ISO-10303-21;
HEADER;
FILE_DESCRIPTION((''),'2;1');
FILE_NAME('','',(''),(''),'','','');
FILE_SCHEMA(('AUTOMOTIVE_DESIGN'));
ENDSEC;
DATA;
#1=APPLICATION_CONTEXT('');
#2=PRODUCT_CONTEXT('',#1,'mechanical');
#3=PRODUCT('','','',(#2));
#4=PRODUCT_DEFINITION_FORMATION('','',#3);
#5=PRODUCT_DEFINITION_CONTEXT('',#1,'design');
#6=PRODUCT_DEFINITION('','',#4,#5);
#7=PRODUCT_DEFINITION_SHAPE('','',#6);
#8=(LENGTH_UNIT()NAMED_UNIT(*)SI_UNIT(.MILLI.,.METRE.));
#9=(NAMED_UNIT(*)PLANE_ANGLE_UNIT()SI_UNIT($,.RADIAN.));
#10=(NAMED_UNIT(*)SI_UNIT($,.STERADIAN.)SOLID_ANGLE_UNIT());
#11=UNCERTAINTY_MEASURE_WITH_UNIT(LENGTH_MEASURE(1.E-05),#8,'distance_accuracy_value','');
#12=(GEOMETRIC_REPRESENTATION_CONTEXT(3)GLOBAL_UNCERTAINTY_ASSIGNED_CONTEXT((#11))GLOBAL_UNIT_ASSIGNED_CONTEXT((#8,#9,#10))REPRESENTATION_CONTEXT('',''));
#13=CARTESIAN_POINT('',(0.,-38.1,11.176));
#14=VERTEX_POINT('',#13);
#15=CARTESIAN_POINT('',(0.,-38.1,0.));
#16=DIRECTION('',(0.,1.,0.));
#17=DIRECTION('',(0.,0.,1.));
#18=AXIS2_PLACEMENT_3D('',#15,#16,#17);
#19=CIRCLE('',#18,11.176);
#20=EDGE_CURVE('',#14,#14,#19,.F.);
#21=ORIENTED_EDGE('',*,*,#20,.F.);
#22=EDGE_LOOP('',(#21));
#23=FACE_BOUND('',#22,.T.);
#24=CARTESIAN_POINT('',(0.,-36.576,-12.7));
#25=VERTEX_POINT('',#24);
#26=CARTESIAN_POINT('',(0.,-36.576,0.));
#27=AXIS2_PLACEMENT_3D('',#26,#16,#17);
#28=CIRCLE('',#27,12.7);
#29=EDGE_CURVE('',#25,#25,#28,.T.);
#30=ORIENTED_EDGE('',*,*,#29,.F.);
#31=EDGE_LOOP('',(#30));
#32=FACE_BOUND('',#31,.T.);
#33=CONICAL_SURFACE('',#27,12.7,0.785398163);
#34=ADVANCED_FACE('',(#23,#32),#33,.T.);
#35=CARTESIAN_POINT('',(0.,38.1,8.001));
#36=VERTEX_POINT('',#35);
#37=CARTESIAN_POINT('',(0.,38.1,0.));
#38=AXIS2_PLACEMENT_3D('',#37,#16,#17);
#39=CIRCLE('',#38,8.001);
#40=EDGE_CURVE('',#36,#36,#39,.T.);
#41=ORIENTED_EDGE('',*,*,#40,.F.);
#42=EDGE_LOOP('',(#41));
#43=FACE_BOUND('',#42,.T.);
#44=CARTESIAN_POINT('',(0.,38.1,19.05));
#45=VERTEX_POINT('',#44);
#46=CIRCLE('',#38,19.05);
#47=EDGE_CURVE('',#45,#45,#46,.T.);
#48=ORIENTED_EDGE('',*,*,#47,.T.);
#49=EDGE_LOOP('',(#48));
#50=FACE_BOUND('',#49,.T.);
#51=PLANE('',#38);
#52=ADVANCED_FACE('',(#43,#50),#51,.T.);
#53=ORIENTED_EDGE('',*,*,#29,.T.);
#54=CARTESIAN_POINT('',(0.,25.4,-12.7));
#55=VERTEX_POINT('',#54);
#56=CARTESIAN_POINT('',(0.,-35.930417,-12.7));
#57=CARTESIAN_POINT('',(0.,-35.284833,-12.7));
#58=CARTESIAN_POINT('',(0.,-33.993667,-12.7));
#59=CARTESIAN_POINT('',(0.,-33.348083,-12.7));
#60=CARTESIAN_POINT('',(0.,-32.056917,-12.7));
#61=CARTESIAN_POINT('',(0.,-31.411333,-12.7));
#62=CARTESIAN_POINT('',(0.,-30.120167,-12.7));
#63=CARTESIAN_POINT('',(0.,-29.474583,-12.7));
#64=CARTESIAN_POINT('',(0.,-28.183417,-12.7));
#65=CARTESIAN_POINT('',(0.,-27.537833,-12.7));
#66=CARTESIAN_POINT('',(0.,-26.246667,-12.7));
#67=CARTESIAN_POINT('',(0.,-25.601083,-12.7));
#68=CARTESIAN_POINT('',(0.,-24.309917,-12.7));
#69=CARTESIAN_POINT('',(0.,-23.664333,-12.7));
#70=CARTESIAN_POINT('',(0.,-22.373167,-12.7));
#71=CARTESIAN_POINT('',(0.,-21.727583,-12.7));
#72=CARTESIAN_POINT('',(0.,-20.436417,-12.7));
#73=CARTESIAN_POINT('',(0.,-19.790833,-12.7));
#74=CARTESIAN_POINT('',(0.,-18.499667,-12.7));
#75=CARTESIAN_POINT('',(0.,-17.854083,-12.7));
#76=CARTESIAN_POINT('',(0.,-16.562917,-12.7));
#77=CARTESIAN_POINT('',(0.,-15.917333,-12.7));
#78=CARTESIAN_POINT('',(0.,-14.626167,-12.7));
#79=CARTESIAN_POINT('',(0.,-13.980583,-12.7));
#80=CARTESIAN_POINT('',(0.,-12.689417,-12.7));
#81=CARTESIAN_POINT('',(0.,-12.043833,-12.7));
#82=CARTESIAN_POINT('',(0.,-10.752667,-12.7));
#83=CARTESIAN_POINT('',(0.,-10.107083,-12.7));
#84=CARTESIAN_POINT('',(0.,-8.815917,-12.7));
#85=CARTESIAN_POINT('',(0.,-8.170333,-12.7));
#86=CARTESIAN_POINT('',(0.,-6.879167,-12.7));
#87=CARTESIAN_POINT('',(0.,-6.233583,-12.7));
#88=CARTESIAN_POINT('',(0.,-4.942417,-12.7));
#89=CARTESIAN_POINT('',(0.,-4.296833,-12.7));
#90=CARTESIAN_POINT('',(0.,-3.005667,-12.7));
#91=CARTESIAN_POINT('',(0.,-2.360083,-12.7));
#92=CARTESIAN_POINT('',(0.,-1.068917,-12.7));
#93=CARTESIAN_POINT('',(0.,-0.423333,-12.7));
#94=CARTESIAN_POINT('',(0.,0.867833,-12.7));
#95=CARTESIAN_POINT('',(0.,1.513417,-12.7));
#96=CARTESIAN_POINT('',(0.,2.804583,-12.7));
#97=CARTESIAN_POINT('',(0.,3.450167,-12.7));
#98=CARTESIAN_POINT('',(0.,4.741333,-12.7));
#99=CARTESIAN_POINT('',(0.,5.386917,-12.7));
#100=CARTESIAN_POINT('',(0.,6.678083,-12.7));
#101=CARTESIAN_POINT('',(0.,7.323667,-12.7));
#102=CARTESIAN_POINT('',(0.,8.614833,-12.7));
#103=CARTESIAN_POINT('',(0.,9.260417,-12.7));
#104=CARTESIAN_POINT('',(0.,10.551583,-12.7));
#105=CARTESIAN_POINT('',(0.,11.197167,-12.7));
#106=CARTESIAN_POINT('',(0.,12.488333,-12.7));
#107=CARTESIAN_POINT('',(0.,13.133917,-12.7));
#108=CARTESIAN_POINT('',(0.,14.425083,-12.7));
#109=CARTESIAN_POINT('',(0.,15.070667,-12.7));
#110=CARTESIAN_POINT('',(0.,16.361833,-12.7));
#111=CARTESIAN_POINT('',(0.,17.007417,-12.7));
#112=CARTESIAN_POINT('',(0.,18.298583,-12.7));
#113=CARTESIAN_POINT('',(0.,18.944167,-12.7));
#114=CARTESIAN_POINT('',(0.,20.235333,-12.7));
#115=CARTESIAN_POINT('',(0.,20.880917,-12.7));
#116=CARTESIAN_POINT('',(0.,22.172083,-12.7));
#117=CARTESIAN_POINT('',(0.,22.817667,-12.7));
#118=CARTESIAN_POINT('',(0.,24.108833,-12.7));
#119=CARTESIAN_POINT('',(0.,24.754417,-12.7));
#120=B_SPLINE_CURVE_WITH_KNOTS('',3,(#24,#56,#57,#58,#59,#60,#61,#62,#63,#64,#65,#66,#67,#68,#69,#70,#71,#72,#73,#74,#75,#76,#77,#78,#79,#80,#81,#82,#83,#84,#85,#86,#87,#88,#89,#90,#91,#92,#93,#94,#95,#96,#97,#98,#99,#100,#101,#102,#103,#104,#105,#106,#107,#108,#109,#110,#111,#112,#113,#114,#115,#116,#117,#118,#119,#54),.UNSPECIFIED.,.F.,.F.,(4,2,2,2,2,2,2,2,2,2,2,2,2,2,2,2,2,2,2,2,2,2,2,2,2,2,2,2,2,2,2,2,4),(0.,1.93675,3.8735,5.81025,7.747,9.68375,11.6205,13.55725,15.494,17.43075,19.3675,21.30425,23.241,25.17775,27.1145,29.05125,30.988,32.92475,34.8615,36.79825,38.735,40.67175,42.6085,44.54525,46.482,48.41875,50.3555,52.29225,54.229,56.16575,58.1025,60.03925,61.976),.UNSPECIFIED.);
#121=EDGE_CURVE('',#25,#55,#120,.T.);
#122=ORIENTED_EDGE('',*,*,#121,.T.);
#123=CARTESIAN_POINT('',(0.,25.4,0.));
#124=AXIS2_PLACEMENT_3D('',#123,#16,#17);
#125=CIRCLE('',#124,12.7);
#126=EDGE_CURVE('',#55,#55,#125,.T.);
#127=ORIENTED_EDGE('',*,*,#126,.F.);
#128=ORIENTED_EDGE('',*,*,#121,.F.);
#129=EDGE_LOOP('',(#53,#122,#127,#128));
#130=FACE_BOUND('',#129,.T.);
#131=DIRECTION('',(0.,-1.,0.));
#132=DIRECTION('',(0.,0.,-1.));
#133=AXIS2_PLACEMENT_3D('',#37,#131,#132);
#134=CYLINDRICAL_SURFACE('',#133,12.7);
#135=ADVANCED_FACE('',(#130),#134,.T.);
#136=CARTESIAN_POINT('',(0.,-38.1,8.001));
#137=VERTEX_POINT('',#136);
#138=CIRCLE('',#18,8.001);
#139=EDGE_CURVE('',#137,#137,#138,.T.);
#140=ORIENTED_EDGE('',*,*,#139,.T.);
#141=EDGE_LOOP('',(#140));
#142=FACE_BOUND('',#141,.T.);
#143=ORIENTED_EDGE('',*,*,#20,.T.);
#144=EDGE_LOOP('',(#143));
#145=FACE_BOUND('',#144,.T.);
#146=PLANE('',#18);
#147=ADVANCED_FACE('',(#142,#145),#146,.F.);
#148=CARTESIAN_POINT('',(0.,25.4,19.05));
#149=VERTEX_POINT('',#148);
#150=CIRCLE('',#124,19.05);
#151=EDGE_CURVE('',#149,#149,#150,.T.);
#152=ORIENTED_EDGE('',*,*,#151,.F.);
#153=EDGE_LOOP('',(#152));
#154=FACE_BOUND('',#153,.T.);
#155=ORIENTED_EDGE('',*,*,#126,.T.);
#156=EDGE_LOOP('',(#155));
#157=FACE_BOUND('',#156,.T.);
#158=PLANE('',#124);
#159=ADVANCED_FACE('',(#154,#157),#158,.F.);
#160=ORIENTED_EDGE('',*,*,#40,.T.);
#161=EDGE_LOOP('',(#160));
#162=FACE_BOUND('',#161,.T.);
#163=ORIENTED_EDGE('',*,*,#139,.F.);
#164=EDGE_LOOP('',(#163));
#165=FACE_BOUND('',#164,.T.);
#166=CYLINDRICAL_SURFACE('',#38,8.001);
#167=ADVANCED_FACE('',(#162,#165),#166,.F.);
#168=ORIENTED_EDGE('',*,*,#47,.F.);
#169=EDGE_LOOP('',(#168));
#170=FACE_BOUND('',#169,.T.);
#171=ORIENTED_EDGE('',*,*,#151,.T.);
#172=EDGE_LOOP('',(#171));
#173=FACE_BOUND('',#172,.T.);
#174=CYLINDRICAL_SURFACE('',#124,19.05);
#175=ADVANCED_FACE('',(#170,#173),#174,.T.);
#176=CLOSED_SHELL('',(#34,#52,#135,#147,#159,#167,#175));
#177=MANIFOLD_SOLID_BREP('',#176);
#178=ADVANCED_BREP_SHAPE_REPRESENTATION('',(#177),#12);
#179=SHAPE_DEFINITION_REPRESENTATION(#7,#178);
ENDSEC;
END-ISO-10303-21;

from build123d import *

# Parameters (mm, degrees)
SKETCH2_R           = 12.7
BOSS_EXTRUDE1_DEPTH = 38.1
SKETCH3_R           = 19.05
BOSS_EXTRUDE2_DEPTH = 12.7
HOLE1_D             = 16.002
CHAMFER1_SIZE       = 1.524


with BuildPart() as part:
    # Sketch2 → Boss-Extrude1 (new, symmetric)
    with BuildSketch(Plane(origin=(0, 0, 0), x_dir=(1, 0, 0), z_dir=(0, 1, 0))):
        with Locations(Location((0, 0, 0), (0, 0, 90))):
            Circle(SKETCH2_R)
    extrude(amount=BOSS_EXTRUDE1_DEPTH, both=True)

    # Sketch3 → Boss-Extrude2 (add)
    with BuildSketch(Plane(origin=(0, 38.1, 0), x_dir=(1, 0, 0), z_dir=(0, 1, 0))):
        with Locations(Location((0, 0, 0), (0, 0, 270))):
            Circle(SKETCH3_R)
    extrude(amount=-BOSS_EXTRUDE2_DEPTH)

    # Hole1 (through all)
    with Locations(Plane(origin=(0, 38.1, 0), x_dir=(1, 0, 0), z_dir=(0, 1, 0))):
        with Locations((0, 0)):
            Hole(HOLE1_D / 2)

    # Chamfer1
    chamfer1_edges = [part.edges().sort_by_distance(p)[0] for p in [
        (0, -38.1, 12.7),
    ]]
    chamfer(chamfer1_edges, length=CHAMFER1_SIZE)


solid = part.part
